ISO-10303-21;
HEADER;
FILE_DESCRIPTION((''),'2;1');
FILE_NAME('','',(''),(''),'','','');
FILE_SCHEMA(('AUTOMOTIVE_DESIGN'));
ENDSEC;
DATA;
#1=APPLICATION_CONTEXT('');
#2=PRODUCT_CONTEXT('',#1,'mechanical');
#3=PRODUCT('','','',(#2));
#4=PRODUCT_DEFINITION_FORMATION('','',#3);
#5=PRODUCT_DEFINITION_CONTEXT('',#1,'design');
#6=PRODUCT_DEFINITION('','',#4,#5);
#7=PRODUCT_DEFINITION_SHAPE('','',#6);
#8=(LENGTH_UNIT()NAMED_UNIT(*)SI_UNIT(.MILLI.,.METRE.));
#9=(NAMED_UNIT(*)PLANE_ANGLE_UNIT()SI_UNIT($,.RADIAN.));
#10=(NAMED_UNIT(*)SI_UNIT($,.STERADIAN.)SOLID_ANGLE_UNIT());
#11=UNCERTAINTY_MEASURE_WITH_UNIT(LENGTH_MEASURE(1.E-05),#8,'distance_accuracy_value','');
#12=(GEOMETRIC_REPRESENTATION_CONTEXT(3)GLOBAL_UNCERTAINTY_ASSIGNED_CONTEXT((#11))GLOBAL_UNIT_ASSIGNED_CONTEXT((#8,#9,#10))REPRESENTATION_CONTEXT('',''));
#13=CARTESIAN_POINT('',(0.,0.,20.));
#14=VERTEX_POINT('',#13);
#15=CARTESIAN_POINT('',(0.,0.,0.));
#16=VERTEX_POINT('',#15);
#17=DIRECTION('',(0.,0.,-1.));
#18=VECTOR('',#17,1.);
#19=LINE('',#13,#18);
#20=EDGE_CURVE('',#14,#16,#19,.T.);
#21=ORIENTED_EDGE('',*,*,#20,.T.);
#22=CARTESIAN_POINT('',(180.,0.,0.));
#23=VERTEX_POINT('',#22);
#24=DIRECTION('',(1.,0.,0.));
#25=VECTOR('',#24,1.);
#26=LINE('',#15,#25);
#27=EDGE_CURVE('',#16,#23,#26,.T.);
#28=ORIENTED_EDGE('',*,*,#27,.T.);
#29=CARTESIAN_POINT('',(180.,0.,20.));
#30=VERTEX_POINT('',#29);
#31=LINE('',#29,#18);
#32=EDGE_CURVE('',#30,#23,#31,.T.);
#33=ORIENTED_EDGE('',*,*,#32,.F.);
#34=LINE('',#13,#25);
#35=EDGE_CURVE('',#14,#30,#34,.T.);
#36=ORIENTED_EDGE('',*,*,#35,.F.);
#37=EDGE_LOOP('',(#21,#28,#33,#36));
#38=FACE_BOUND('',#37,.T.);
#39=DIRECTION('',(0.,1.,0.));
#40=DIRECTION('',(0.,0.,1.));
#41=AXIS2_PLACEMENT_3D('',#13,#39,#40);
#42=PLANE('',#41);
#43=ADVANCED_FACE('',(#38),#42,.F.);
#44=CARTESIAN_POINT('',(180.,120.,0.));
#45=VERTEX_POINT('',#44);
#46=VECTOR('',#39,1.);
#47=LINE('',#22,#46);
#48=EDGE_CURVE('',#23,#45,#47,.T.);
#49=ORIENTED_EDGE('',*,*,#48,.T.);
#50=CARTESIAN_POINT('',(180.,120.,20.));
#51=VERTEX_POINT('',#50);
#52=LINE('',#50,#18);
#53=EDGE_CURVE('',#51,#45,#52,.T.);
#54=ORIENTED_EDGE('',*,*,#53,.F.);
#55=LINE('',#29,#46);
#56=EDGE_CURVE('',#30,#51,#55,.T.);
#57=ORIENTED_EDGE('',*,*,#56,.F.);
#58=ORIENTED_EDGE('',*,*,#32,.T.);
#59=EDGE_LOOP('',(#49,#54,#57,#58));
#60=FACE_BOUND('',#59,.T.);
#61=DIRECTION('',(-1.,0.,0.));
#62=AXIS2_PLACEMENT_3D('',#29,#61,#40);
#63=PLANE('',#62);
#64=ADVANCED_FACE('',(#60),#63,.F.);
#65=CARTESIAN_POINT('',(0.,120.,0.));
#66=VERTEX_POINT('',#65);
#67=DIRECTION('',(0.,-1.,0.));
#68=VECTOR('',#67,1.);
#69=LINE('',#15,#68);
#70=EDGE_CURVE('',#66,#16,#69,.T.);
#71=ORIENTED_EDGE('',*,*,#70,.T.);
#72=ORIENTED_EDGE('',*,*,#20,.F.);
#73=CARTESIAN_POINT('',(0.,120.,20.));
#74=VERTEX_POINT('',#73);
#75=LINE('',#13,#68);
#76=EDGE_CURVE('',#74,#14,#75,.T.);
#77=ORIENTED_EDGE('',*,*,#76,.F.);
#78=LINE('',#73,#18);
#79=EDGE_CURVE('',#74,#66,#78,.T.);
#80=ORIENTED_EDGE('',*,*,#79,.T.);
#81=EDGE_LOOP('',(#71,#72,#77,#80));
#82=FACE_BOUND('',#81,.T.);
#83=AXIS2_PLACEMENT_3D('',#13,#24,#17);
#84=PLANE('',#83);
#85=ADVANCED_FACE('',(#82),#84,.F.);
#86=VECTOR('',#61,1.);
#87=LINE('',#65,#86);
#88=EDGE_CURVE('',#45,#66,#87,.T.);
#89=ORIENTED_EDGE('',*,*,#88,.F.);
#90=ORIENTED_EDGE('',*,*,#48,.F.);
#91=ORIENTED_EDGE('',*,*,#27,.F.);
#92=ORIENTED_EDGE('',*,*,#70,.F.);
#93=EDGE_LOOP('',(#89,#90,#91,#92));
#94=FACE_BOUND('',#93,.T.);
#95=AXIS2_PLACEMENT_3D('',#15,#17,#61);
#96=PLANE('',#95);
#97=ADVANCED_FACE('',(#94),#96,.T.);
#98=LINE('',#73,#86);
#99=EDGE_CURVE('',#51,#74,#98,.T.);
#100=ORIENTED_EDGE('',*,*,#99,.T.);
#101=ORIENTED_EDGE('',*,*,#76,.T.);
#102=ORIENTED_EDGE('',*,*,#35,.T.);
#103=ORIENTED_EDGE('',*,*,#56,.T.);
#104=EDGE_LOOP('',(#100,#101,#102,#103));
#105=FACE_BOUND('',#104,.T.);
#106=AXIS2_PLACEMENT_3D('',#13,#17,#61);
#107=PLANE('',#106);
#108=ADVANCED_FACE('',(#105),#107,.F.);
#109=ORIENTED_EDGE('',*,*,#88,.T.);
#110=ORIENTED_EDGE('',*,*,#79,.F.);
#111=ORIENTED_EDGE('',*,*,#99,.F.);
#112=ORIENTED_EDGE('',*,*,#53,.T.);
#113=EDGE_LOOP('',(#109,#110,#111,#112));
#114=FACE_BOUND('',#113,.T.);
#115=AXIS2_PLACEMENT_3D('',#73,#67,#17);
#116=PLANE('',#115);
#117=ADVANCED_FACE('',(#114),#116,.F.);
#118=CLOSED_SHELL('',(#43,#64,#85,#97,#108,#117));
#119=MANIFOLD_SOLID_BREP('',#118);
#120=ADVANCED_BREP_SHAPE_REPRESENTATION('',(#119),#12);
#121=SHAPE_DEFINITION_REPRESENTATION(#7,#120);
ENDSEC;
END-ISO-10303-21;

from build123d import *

# Parameters (mm, degrees)
SKETCH1_W           = 180
SKETCH1_H           = 120
BOSS_EXTRUDE1_DEPTH = 20


with BuildPart() as part:
    # Sketch1 → Boss-Extrude1 (new body)
    with BuildSketch(Plane.XY):
        with Locations((90, 60)):
            Rectangle(SKETCH1_W, SKETCH1_H)
    extrude(amount=BOSS_EXTRUDE1_DEPTH)


solid = part.part
